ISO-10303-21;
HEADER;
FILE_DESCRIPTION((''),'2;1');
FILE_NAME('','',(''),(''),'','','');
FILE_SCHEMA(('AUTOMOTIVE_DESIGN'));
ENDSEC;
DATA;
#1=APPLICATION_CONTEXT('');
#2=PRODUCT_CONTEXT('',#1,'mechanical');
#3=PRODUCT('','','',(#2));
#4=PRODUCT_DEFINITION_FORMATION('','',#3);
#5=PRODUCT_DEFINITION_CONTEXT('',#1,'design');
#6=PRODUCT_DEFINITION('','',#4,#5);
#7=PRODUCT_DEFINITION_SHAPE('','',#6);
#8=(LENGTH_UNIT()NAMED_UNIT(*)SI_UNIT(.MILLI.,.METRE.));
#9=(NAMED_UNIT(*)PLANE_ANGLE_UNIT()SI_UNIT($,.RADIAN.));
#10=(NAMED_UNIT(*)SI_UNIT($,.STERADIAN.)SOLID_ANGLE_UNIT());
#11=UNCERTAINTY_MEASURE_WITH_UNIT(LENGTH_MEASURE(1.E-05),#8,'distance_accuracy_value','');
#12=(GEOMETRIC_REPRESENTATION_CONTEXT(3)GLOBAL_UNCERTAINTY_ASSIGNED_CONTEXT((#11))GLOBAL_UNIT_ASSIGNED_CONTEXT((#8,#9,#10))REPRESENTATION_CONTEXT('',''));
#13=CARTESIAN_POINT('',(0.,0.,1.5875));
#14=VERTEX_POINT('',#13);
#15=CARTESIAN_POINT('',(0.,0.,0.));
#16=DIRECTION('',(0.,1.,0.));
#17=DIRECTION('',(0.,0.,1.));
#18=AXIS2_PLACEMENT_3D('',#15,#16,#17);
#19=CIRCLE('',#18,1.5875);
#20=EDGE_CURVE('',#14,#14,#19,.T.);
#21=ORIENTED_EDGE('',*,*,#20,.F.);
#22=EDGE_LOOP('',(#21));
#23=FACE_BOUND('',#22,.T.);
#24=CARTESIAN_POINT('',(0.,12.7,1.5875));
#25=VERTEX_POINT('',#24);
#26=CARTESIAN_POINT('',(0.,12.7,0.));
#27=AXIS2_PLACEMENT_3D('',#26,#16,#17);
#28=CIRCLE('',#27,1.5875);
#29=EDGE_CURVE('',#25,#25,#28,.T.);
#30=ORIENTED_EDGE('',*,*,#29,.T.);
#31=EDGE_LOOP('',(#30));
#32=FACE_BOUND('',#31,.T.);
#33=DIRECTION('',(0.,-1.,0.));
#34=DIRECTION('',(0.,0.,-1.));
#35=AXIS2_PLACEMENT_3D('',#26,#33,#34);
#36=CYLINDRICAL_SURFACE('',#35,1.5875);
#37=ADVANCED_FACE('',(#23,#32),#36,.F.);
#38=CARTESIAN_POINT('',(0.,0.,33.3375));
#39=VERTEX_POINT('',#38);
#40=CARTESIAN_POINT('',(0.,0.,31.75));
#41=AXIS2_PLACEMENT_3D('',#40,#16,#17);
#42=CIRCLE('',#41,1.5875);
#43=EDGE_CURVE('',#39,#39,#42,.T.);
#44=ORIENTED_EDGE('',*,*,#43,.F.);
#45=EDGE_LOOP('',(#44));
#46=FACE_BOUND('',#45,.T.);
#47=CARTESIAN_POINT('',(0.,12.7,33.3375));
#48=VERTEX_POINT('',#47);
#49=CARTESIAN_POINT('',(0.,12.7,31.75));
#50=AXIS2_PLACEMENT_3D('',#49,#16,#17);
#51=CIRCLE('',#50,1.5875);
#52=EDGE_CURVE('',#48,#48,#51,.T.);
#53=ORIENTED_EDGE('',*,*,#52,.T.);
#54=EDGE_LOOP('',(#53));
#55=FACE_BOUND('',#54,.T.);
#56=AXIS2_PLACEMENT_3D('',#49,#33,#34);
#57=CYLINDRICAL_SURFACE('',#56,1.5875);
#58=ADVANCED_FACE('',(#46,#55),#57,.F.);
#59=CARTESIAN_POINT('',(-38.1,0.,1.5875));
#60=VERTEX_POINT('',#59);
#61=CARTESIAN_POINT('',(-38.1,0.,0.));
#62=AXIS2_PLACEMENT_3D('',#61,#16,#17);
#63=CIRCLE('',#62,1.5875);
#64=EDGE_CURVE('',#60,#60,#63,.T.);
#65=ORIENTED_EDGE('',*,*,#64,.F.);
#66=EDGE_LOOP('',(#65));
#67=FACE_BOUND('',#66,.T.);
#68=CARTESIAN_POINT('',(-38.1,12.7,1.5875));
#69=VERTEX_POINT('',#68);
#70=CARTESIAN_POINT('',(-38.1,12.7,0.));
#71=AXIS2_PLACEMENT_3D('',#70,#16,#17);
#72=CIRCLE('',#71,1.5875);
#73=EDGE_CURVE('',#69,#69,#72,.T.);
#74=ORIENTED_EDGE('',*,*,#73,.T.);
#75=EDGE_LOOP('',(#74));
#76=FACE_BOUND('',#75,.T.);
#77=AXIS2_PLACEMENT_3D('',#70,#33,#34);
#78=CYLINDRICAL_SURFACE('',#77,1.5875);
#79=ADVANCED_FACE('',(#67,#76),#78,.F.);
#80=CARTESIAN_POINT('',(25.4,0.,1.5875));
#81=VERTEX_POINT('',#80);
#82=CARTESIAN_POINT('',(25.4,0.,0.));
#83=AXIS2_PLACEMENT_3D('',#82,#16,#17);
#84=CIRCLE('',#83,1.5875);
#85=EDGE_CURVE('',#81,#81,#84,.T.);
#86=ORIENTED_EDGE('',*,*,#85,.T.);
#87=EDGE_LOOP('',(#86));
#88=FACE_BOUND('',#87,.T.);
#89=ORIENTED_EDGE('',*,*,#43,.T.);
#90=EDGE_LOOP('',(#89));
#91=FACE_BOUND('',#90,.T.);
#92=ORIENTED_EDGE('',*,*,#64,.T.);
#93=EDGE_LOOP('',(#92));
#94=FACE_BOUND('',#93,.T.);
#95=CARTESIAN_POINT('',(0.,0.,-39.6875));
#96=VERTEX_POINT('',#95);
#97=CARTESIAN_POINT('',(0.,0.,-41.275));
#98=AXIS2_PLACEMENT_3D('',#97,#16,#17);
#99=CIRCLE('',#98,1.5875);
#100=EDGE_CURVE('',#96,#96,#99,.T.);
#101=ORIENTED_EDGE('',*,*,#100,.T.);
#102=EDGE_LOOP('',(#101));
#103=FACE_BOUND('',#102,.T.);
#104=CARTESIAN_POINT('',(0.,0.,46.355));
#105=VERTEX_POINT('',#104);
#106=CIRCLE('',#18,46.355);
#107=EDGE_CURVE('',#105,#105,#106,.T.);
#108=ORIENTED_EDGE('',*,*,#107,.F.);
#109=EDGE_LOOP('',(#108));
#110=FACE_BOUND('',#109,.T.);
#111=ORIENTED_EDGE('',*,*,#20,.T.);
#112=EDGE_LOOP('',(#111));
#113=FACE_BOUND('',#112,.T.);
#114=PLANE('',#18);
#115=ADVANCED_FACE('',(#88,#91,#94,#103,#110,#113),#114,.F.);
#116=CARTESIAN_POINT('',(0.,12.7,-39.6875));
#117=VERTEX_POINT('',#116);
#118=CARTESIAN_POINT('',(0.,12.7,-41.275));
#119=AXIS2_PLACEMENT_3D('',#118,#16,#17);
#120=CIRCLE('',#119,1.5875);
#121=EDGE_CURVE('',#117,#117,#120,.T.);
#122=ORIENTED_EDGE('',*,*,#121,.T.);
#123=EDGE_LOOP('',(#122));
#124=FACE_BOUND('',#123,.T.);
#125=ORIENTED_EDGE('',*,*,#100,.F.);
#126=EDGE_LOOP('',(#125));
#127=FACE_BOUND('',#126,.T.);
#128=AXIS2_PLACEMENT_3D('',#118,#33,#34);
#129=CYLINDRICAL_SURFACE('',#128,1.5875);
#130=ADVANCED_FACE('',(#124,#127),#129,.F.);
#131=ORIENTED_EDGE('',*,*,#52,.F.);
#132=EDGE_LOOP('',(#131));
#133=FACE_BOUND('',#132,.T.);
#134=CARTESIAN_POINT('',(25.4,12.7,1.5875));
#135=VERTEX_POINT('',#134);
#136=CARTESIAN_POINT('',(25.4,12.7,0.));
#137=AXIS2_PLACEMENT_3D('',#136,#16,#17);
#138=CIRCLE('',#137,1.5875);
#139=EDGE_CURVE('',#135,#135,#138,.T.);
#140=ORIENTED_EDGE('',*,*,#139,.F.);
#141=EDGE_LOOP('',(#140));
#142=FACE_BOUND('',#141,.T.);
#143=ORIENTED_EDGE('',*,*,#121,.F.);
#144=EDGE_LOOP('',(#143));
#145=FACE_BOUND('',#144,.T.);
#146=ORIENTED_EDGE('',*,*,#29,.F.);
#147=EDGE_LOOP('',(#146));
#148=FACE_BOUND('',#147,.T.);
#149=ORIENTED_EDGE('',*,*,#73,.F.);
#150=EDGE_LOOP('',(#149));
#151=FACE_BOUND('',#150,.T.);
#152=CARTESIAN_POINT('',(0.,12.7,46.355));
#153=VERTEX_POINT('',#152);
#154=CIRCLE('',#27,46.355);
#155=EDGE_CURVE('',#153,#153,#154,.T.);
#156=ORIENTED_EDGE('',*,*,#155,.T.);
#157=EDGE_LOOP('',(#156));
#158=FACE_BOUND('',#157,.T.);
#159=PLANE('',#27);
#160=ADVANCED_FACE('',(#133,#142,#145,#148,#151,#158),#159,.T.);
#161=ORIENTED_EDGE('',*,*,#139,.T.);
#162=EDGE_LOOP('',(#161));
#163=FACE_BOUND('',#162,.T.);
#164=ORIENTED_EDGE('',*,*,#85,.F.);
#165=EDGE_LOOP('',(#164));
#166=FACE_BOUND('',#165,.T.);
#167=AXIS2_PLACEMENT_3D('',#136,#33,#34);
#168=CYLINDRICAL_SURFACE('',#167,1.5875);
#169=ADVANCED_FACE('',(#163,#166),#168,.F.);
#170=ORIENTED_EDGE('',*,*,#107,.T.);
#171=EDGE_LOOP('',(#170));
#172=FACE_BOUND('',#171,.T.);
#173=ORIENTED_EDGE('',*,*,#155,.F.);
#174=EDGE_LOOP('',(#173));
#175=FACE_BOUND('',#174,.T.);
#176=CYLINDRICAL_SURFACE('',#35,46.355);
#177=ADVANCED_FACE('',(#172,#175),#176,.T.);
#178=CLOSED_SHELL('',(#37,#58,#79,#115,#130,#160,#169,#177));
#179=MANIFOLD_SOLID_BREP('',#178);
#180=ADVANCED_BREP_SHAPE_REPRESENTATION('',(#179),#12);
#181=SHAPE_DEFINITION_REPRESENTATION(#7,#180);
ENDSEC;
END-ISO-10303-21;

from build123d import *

# Parameters (mm, degrees)
SKETCH1_R           = 46.355
SKETCH1_R_2         = 1.5875
BOSS_EXTRUDE1_DEPTH = 12.7


with BuildPart() as part:
    # Sketch1 → Boss-Extrude1 (new body)
    with BuildSketch(Plane(origin=(0, 0, 0), x_dir=(1, 0, 0), z_dir=(0, 1, 0))):
        with Locations(Location((0, 0, 0), (0, 0, 270))):
            Circle(SKETCH1_R)
        with Locations(Location((0, 0, 0), (0, 0, 270))):
            Circle(SKETCH1_R_2, mode=Mode.SUBTRACT)
        with Locations(Location((0, 41.275, 0), (0, 0, 270))):
            Circle(SKETCH1_R_2, mode=Mode.SUBTRACT)
        with Locations(Location((25.4, 0, 0), (0, 0, 270))):
            Circle(SKETCH1_R_2, mode=Mode.SUBTRACT)
        with Locations(Location((-38.1, 0, 0), (0, 0, 270))):
            Circle(SKETCH1_R_2, mode=Mode.SUBTRACT)
        with Locations(Location((0, -31.75, 0), (0, 0, 270))):
            Circle(SKETCH1_R_2, mode=Mode.SUBTRACT)
    extrude(amount=BOSS_EXTRUDE1_DEPTH)


solid = part.part
